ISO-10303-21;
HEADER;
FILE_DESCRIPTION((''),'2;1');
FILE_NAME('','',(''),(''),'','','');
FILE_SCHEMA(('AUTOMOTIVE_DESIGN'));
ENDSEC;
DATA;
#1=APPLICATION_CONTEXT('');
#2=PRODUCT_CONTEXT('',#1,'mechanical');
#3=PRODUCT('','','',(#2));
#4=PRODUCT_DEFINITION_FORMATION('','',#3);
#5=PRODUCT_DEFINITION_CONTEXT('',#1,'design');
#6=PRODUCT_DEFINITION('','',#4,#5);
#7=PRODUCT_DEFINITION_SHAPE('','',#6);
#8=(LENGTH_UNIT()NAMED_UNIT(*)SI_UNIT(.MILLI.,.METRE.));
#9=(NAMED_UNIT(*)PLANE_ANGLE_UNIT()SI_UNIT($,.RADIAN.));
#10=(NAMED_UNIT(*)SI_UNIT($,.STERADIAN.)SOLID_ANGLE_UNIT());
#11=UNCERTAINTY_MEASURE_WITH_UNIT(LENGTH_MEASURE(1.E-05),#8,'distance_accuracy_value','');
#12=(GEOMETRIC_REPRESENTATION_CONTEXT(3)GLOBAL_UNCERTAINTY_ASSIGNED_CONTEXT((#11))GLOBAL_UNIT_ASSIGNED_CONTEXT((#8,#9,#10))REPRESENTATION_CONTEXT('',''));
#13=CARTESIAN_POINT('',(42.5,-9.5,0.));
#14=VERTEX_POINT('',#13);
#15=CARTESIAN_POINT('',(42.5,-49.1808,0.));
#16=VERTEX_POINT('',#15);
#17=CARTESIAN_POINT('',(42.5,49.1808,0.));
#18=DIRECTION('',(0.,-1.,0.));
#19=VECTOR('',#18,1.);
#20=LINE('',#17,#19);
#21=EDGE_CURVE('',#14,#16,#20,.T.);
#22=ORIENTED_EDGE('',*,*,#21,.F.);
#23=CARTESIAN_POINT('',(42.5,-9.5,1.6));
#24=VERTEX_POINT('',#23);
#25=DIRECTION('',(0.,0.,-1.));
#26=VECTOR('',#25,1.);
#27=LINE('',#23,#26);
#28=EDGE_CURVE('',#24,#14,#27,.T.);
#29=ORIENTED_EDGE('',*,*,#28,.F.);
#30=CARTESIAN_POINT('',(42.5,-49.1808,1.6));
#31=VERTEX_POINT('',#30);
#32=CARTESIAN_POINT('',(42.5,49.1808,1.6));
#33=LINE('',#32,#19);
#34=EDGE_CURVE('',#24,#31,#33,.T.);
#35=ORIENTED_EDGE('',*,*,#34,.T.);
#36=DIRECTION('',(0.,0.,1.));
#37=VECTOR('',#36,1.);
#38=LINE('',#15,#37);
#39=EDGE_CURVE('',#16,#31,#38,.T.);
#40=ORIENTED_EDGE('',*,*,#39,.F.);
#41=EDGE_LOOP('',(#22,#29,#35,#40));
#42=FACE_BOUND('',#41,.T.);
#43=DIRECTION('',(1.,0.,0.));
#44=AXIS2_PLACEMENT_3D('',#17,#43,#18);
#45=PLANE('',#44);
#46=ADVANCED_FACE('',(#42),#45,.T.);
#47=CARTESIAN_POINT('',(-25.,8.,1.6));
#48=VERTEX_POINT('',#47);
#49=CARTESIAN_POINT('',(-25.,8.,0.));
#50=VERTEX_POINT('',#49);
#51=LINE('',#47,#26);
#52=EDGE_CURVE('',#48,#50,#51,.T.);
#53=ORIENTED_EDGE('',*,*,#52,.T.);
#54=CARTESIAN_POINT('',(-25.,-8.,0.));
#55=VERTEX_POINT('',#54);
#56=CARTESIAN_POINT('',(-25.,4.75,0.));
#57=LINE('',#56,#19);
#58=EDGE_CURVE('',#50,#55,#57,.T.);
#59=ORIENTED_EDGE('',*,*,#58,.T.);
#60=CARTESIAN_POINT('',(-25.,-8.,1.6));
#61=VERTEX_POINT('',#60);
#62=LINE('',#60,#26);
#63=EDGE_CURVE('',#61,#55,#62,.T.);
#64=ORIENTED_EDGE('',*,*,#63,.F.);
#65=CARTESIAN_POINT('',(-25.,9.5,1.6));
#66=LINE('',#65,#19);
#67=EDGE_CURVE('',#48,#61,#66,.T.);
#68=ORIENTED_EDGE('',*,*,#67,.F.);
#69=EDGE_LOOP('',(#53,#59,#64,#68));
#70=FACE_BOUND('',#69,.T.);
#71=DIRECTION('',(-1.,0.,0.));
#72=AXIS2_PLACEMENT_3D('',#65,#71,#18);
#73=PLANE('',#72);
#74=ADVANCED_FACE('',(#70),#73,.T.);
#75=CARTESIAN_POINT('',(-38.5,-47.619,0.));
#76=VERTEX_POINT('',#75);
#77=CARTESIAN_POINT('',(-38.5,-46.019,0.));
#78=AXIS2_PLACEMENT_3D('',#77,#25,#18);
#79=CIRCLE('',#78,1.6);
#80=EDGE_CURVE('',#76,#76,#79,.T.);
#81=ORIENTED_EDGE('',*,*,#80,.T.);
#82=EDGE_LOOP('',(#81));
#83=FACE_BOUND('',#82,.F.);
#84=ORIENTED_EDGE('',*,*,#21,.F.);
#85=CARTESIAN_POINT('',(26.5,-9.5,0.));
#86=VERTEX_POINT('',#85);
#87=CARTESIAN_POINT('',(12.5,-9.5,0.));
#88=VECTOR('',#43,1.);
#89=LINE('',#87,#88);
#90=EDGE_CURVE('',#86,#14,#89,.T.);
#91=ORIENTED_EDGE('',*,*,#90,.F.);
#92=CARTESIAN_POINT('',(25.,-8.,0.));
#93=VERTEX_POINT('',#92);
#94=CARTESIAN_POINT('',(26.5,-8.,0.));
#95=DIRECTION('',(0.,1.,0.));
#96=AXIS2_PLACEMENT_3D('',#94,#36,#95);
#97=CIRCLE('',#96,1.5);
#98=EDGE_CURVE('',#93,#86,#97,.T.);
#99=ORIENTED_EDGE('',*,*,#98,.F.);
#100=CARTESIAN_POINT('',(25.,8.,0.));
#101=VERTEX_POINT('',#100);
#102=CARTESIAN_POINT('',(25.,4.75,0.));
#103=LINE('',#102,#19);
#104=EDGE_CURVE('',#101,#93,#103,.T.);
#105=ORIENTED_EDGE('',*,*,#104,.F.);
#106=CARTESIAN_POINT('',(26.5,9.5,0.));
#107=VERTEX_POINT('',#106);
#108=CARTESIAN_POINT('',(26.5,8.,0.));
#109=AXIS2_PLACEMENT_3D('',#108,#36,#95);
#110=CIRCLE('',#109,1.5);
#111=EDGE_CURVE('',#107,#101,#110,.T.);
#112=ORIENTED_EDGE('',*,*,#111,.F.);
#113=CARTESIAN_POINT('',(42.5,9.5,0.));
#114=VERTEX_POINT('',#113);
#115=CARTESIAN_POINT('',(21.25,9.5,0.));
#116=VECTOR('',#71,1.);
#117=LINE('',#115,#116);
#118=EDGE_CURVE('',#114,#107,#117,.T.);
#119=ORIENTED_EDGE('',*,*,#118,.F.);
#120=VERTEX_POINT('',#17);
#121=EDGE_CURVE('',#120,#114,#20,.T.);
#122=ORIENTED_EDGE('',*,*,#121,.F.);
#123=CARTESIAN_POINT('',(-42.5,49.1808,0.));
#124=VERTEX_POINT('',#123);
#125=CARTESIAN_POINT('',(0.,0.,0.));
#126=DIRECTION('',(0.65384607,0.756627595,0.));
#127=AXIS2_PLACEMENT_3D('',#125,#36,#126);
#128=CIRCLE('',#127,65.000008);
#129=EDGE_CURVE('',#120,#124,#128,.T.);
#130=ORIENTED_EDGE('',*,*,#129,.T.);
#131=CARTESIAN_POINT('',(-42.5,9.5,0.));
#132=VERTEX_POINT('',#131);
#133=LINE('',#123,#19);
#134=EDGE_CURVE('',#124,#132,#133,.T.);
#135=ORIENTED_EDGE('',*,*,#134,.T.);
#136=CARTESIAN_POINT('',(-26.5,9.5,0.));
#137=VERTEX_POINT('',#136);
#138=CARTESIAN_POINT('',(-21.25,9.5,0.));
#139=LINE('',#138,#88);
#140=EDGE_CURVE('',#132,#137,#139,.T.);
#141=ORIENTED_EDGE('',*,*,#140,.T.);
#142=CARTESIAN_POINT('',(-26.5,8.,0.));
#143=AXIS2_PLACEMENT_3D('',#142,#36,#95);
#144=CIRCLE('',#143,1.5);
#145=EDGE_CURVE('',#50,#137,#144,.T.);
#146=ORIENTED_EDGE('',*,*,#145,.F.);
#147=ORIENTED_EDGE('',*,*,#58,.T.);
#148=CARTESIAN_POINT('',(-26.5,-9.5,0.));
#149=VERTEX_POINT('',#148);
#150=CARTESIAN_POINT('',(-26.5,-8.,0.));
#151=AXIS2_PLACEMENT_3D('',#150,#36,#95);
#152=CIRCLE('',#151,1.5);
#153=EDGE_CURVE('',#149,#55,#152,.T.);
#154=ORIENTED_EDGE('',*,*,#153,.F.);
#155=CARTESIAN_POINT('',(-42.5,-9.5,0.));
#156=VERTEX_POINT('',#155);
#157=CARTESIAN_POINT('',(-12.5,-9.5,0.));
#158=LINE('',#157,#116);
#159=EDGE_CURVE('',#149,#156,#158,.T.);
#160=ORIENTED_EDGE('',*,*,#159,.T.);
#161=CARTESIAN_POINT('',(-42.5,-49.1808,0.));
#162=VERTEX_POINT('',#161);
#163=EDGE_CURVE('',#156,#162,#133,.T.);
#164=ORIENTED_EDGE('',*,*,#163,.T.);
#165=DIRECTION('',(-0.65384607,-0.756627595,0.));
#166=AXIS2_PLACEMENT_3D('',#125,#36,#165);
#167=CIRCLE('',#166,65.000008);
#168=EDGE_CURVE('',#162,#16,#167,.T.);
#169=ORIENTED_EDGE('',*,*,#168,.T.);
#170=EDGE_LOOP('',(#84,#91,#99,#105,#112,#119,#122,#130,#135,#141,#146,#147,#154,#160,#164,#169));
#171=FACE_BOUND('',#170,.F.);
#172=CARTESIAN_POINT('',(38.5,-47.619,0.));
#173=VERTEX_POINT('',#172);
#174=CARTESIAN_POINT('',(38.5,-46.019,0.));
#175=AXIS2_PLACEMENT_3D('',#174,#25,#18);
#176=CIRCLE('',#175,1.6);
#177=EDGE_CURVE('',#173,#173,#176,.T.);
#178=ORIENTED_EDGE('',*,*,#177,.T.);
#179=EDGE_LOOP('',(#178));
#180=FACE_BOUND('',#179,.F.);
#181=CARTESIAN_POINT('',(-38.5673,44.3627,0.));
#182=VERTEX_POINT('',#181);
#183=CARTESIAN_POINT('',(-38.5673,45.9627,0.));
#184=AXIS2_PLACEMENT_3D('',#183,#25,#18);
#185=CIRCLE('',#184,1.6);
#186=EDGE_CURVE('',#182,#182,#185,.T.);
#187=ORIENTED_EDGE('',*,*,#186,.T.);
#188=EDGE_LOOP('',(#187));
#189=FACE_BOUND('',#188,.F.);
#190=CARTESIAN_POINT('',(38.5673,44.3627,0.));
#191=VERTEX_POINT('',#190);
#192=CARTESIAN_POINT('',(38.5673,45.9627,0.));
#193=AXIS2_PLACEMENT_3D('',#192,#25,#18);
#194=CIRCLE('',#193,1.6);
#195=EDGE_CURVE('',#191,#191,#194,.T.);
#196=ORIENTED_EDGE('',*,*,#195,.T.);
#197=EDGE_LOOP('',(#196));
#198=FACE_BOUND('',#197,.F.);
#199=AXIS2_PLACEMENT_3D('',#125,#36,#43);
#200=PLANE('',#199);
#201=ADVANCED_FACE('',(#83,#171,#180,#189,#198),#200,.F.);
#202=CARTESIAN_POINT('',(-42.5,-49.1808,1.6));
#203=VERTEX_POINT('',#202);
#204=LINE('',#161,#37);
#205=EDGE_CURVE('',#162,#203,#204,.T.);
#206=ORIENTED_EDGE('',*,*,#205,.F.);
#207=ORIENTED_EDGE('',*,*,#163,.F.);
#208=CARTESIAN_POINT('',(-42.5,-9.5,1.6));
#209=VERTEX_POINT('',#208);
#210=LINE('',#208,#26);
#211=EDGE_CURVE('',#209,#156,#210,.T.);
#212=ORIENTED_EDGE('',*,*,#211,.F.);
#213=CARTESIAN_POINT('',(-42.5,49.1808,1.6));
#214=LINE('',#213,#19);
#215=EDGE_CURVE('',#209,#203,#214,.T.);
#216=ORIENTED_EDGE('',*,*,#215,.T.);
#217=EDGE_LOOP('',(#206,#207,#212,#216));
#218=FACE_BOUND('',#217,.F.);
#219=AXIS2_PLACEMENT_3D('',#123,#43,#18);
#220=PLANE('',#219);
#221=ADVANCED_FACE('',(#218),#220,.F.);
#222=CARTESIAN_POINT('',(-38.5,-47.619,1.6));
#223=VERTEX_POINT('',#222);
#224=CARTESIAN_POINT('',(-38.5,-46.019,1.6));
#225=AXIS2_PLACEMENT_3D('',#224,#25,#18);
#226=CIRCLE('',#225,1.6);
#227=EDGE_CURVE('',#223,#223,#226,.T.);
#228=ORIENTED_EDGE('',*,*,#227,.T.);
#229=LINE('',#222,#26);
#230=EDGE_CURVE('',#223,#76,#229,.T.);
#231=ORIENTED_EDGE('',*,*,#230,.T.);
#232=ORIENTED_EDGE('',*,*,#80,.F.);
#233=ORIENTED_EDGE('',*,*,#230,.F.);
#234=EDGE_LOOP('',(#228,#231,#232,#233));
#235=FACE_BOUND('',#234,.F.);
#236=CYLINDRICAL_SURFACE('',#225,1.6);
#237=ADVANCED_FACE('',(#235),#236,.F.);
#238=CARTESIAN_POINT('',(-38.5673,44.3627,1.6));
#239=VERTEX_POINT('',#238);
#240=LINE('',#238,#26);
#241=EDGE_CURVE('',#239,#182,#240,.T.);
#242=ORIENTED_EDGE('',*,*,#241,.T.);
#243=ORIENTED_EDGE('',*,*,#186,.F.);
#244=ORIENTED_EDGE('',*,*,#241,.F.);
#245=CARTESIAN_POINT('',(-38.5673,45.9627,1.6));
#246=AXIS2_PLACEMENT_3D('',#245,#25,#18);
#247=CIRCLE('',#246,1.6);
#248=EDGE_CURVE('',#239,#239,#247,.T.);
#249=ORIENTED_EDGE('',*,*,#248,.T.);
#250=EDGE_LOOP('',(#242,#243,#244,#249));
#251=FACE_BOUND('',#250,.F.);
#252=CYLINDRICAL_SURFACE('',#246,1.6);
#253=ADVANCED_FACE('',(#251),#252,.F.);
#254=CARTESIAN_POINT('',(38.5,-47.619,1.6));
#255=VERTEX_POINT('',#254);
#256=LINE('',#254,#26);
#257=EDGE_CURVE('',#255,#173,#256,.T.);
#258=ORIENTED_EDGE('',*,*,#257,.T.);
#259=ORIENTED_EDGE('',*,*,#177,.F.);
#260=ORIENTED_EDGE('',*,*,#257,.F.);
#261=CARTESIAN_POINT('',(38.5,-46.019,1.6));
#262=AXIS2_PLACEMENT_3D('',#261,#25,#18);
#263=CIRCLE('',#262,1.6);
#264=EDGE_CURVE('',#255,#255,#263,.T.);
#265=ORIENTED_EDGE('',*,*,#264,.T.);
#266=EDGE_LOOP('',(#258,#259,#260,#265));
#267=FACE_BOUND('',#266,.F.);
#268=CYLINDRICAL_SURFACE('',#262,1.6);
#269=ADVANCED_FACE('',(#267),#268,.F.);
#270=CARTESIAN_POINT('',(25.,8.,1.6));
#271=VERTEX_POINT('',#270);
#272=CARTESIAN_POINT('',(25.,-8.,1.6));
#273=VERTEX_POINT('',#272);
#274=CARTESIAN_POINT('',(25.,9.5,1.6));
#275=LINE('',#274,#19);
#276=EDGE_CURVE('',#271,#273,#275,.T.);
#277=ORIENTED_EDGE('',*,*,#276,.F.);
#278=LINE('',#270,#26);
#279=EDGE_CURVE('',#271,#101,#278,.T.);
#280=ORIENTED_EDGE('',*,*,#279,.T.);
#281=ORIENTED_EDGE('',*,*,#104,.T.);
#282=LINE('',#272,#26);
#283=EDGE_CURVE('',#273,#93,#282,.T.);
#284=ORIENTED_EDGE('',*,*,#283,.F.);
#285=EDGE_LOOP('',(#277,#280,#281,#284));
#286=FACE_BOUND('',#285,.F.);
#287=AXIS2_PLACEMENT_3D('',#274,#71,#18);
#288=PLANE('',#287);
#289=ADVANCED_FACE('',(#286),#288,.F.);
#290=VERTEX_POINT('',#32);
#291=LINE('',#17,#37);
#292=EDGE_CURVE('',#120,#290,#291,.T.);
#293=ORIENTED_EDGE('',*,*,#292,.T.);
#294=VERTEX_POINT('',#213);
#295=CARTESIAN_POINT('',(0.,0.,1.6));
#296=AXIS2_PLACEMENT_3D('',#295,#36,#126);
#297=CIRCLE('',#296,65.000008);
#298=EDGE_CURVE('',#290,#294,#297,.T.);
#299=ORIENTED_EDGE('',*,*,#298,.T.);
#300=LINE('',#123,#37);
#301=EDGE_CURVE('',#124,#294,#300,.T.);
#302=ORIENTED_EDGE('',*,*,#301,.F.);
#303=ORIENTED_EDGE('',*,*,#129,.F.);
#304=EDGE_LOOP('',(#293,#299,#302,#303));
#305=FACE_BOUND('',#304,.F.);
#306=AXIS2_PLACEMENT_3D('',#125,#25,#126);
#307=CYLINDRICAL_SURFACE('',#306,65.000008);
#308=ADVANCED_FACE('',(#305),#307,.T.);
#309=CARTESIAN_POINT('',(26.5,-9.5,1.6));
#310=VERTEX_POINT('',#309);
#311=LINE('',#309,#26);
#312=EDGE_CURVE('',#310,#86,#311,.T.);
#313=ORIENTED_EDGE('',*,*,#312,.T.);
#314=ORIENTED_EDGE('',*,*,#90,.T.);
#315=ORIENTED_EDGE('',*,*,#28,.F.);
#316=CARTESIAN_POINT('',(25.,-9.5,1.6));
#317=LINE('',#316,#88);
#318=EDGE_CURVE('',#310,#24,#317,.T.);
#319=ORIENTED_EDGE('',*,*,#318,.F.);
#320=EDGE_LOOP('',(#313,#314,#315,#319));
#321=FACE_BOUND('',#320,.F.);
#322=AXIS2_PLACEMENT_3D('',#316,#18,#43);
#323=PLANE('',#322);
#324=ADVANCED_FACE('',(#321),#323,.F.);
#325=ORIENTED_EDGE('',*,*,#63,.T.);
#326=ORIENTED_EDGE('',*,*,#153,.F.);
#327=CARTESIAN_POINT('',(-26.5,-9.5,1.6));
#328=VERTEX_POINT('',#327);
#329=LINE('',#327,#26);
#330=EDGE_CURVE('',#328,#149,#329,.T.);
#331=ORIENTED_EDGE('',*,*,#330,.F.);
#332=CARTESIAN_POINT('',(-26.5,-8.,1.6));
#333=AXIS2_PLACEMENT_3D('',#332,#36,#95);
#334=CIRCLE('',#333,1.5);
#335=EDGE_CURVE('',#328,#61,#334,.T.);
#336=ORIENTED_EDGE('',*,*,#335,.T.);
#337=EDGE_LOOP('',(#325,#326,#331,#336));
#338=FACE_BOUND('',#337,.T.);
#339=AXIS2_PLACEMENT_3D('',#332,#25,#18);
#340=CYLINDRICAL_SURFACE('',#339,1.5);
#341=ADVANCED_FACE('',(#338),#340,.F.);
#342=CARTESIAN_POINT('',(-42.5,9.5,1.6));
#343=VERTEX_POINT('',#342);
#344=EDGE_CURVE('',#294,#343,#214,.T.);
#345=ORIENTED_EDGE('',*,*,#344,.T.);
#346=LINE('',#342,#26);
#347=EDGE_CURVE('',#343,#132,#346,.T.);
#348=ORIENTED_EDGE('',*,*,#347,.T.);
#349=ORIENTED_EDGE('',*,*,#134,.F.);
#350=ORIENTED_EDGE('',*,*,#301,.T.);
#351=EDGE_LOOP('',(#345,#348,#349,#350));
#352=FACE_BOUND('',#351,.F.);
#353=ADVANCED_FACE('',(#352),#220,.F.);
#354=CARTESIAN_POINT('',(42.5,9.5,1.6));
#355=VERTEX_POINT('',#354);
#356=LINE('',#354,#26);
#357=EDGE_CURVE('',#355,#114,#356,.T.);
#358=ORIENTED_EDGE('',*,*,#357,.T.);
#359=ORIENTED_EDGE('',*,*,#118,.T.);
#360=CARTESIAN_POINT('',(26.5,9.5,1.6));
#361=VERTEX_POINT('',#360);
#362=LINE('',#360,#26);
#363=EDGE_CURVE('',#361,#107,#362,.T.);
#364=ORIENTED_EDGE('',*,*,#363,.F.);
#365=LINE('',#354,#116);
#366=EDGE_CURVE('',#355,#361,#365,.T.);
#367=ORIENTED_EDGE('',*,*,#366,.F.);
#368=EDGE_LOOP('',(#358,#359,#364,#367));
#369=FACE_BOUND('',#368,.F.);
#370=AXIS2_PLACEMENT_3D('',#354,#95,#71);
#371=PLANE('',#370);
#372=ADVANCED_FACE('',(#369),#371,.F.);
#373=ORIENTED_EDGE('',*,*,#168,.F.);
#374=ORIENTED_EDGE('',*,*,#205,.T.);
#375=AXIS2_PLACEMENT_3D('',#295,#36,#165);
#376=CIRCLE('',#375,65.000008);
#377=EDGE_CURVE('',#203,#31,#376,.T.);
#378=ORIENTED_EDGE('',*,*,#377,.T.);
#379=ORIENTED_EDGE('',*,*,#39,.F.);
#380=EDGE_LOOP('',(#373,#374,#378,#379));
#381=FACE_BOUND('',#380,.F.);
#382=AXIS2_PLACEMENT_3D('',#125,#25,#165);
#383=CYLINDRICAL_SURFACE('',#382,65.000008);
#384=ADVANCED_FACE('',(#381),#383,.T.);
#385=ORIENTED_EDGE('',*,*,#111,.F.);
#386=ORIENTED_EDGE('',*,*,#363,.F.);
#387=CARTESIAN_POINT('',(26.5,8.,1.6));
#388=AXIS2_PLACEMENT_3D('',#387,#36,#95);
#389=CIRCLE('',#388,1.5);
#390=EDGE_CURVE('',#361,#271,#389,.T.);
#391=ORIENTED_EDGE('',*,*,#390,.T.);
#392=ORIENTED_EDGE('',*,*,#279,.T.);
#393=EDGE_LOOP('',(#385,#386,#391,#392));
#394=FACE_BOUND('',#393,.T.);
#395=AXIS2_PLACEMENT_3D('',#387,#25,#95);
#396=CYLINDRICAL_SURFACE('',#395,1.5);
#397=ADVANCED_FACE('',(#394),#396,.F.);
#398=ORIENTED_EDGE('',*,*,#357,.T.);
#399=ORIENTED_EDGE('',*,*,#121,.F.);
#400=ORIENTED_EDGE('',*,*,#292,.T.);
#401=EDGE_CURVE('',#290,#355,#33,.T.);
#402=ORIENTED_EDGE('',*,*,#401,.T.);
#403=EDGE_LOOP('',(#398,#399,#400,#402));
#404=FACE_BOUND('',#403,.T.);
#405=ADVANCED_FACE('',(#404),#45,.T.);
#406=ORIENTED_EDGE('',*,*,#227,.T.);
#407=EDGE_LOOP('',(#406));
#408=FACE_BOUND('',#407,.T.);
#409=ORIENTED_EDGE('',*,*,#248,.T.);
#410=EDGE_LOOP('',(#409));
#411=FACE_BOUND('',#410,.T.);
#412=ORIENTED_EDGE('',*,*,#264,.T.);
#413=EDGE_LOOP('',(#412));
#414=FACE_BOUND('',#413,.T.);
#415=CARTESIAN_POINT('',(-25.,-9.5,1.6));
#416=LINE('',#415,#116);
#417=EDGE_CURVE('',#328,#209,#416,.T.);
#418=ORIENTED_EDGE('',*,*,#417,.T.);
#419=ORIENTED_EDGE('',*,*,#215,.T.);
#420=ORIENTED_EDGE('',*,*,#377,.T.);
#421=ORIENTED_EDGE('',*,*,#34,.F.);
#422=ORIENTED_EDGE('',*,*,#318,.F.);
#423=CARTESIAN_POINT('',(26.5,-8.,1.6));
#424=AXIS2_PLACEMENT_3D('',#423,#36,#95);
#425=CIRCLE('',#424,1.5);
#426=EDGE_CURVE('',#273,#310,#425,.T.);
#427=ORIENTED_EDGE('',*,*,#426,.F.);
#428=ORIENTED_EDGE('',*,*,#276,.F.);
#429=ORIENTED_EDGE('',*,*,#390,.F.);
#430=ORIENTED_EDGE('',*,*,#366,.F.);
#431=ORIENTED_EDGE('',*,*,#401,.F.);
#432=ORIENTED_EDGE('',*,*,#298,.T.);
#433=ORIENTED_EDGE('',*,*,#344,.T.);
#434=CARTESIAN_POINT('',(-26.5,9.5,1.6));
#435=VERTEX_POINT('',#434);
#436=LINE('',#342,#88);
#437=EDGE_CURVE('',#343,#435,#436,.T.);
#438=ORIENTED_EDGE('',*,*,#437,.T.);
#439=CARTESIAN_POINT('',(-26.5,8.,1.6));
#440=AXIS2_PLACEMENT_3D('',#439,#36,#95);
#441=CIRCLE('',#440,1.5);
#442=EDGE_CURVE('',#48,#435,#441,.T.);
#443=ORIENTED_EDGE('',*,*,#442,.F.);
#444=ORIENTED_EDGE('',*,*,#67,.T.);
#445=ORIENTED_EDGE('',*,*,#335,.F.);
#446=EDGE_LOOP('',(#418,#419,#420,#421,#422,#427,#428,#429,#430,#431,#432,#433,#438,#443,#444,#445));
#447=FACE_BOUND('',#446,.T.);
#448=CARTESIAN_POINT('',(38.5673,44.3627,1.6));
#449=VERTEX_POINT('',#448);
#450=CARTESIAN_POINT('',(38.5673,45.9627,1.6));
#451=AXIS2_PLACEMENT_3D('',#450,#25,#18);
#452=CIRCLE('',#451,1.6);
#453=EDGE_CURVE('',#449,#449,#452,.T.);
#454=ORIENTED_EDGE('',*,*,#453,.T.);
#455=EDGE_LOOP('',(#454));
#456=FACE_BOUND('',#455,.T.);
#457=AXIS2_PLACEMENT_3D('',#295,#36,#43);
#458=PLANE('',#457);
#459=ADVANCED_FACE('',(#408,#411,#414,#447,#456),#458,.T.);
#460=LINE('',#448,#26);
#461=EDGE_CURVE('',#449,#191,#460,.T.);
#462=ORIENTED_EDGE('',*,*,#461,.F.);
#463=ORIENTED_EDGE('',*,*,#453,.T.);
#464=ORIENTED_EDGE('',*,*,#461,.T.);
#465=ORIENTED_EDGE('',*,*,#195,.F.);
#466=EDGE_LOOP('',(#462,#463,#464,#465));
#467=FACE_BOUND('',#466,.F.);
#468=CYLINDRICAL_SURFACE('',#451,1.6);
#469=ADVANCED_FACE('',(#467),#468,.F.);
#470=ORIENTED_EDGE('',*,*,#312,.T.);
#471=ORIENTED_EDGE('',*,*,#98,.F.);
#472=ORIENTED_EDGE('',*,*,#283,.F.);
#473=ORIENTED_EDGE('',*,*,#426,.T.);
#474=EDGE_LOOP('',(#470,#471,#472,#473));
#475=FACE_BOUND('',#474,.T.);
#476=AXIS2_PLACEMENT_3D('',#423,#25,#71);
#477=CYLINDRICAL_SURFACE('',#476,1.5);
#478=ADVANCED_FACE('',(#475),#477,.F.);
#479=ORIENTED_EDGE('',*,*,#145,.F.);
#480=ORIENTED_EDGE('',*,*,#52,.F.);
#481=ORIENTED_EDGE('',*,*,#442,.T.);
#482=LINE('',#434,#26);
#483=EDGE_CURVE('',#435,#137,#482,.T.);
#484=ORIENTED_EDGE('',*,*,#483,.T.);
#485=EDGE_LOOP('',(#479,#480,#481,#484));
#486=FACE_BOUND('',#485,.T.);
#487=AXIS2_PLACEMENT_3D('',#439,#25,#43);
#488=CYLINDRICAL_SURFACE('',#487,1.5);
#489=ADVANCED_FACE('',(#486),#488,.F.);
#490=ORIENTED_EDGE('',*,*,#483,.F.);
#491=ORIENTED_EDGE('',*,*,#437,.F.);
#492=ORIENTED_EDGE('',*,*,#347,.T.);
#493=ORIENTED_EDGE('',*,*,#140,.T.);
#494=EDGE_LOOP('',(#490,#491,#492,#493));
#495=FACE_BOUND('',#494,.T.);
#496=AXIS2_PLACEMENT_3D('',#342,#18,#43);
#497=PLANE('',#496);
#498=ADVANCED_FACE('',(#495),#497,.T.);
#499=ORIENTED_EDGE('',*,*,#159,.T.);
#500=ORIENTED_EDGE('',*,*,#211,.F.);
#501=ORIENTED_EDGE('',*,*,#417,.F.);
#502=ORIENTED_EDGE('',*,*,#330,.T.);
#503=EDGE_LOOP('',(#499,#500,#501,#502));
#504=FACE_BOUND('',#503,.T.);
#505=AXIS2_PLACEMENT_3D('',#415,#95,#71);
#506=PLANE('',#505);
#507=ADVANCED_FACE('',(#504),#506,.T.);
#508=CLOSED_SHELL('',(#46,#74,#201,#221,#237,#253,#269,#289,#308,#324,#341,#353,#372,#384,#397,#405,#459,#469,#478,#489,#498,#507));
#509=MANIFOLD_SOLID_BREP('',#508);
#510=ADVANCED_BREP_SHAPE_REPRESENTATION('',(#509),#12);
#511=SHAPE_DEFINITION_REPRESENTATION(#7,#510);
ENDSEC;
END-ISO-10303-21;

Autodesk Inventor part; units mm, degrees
ref_plane "YZ Plane" through (0, 0, 0) normal (1, 0, 0) x (0, 1, 0)
ref_plane "XZ Plane" through (0, 0, 0) normal (0, 1, 0) x (-1, 0, 0)
ref_plane "XY Plane" through (0, 0, 0) normal (0, 0, 1) x (1, 0, 0)
sketch "スケッチ1" plane through (0, 0, 0) normal (0, 0, 1) x (1, 0, 0)
  circle A0 centre (0, 0) radius 65 construction
  line L0 (-42.5, 65) -> (42.5, 65) construction
  line L1 (42.5, 65) -> (42.5, -65) construction
  line L2 (42.5, -65) -> (-42.5, -65) construction
  line L3 (-42.5, -65) -> (-42.5, 65) construction
  arc A1 (42.5, 49.1808) -> (-42.5, 49.1808) centre (0, 0) ccw
  line L4 (-42.5, 49.1808) -> (-42.5, -49.1808)
  line L5 (42.5, 49.1808) -> (42.5, -49.1808)
  arc A2 (-42.5, -49.1808) -> (42.5, -49.1808) centre (0, 0) ccw
  point P0 (0, 65)
  dimension "d0" = 130
  dimension "d1" = 85
extrude "基板" add sketch "スケッチ1" along normal blind 1.6
sketch "スケッチ4" plane through (0, 0, 1.6) normal (0, 0, 1) x (1, 0, 0)
  line L0 (0, -55.1622) -> (0, 55.1622) construction
  line L1 (42.5, -49.1808) -> (42.5, 49.1808) construction
  circle A0 centre (0, 0) radius 60 construction
  line L2 (0, 0) -> (36.3616, 43.334) construction
  line L3 (0, 0) -> (56.5685, 0) construction
  point P0 (38.5, -46.019)
  point P1 (-38.5, -46.019)
  point P2 (38.5673, 45.9627)
  point P3 (-38.5673, 45.9627)
  dimension "d27" = 4
  dimension "d29" = 120
  dimension "d30" = 50
hole "スペーサ取付穴" at (38.5, -46.019, 1.6) at (-38.5, -46.019, 1.6) at (38.5673, 45.9627, 1.6) at (-38.5673, 45.9627, 1.6) direction (0, 0, -1) diameter 3.2 end through all
sketch "スケッチ6" plane through (0, 0, 1.6) normal (0, 0, 1) x (1, 0, 0)
  line L0 (-42.5, 49.1808) -> (-42.5, -49.1808) projected
  line L1 (-42.5, 9.5) -> (-25, 9.5)
  line L2 (-25, 9.5) -> (-25, -9.5)
  line L3 (-25, -9.5) -> (-42.5, -9.5)
  line L4 (-42.5, -9.5) -> (-42.5, 9.5)
  line L5 (42.5, 9.5) -> (25, 9.5)
  line L6 (25, 9.5) -> (25, -9.5)
  line L7 (25, -9.5) -> (42.5, -9.5)
  line L8 (42.5, -9.5) -> (42.5, 9.5)
  line L9 (42.5, -49.1808) -> (42.5, 49.1808) projected
  point P0 (0, 0)
  point P1 (-25, 0)
  dimension "d43" = 19
  dimension "d44" = 17.5
extrude "モータ用切欠き" cut sketch "スケッチ6" against normal through all
fillet "フィレット1" radius 1.5 4 edges at (-25, 9.5, 0.8) (-25, -9.5, 0.8) (25, 9.5, 0.8) (25, -9.5, 0.8)
properties part number "BaseBoard3"
